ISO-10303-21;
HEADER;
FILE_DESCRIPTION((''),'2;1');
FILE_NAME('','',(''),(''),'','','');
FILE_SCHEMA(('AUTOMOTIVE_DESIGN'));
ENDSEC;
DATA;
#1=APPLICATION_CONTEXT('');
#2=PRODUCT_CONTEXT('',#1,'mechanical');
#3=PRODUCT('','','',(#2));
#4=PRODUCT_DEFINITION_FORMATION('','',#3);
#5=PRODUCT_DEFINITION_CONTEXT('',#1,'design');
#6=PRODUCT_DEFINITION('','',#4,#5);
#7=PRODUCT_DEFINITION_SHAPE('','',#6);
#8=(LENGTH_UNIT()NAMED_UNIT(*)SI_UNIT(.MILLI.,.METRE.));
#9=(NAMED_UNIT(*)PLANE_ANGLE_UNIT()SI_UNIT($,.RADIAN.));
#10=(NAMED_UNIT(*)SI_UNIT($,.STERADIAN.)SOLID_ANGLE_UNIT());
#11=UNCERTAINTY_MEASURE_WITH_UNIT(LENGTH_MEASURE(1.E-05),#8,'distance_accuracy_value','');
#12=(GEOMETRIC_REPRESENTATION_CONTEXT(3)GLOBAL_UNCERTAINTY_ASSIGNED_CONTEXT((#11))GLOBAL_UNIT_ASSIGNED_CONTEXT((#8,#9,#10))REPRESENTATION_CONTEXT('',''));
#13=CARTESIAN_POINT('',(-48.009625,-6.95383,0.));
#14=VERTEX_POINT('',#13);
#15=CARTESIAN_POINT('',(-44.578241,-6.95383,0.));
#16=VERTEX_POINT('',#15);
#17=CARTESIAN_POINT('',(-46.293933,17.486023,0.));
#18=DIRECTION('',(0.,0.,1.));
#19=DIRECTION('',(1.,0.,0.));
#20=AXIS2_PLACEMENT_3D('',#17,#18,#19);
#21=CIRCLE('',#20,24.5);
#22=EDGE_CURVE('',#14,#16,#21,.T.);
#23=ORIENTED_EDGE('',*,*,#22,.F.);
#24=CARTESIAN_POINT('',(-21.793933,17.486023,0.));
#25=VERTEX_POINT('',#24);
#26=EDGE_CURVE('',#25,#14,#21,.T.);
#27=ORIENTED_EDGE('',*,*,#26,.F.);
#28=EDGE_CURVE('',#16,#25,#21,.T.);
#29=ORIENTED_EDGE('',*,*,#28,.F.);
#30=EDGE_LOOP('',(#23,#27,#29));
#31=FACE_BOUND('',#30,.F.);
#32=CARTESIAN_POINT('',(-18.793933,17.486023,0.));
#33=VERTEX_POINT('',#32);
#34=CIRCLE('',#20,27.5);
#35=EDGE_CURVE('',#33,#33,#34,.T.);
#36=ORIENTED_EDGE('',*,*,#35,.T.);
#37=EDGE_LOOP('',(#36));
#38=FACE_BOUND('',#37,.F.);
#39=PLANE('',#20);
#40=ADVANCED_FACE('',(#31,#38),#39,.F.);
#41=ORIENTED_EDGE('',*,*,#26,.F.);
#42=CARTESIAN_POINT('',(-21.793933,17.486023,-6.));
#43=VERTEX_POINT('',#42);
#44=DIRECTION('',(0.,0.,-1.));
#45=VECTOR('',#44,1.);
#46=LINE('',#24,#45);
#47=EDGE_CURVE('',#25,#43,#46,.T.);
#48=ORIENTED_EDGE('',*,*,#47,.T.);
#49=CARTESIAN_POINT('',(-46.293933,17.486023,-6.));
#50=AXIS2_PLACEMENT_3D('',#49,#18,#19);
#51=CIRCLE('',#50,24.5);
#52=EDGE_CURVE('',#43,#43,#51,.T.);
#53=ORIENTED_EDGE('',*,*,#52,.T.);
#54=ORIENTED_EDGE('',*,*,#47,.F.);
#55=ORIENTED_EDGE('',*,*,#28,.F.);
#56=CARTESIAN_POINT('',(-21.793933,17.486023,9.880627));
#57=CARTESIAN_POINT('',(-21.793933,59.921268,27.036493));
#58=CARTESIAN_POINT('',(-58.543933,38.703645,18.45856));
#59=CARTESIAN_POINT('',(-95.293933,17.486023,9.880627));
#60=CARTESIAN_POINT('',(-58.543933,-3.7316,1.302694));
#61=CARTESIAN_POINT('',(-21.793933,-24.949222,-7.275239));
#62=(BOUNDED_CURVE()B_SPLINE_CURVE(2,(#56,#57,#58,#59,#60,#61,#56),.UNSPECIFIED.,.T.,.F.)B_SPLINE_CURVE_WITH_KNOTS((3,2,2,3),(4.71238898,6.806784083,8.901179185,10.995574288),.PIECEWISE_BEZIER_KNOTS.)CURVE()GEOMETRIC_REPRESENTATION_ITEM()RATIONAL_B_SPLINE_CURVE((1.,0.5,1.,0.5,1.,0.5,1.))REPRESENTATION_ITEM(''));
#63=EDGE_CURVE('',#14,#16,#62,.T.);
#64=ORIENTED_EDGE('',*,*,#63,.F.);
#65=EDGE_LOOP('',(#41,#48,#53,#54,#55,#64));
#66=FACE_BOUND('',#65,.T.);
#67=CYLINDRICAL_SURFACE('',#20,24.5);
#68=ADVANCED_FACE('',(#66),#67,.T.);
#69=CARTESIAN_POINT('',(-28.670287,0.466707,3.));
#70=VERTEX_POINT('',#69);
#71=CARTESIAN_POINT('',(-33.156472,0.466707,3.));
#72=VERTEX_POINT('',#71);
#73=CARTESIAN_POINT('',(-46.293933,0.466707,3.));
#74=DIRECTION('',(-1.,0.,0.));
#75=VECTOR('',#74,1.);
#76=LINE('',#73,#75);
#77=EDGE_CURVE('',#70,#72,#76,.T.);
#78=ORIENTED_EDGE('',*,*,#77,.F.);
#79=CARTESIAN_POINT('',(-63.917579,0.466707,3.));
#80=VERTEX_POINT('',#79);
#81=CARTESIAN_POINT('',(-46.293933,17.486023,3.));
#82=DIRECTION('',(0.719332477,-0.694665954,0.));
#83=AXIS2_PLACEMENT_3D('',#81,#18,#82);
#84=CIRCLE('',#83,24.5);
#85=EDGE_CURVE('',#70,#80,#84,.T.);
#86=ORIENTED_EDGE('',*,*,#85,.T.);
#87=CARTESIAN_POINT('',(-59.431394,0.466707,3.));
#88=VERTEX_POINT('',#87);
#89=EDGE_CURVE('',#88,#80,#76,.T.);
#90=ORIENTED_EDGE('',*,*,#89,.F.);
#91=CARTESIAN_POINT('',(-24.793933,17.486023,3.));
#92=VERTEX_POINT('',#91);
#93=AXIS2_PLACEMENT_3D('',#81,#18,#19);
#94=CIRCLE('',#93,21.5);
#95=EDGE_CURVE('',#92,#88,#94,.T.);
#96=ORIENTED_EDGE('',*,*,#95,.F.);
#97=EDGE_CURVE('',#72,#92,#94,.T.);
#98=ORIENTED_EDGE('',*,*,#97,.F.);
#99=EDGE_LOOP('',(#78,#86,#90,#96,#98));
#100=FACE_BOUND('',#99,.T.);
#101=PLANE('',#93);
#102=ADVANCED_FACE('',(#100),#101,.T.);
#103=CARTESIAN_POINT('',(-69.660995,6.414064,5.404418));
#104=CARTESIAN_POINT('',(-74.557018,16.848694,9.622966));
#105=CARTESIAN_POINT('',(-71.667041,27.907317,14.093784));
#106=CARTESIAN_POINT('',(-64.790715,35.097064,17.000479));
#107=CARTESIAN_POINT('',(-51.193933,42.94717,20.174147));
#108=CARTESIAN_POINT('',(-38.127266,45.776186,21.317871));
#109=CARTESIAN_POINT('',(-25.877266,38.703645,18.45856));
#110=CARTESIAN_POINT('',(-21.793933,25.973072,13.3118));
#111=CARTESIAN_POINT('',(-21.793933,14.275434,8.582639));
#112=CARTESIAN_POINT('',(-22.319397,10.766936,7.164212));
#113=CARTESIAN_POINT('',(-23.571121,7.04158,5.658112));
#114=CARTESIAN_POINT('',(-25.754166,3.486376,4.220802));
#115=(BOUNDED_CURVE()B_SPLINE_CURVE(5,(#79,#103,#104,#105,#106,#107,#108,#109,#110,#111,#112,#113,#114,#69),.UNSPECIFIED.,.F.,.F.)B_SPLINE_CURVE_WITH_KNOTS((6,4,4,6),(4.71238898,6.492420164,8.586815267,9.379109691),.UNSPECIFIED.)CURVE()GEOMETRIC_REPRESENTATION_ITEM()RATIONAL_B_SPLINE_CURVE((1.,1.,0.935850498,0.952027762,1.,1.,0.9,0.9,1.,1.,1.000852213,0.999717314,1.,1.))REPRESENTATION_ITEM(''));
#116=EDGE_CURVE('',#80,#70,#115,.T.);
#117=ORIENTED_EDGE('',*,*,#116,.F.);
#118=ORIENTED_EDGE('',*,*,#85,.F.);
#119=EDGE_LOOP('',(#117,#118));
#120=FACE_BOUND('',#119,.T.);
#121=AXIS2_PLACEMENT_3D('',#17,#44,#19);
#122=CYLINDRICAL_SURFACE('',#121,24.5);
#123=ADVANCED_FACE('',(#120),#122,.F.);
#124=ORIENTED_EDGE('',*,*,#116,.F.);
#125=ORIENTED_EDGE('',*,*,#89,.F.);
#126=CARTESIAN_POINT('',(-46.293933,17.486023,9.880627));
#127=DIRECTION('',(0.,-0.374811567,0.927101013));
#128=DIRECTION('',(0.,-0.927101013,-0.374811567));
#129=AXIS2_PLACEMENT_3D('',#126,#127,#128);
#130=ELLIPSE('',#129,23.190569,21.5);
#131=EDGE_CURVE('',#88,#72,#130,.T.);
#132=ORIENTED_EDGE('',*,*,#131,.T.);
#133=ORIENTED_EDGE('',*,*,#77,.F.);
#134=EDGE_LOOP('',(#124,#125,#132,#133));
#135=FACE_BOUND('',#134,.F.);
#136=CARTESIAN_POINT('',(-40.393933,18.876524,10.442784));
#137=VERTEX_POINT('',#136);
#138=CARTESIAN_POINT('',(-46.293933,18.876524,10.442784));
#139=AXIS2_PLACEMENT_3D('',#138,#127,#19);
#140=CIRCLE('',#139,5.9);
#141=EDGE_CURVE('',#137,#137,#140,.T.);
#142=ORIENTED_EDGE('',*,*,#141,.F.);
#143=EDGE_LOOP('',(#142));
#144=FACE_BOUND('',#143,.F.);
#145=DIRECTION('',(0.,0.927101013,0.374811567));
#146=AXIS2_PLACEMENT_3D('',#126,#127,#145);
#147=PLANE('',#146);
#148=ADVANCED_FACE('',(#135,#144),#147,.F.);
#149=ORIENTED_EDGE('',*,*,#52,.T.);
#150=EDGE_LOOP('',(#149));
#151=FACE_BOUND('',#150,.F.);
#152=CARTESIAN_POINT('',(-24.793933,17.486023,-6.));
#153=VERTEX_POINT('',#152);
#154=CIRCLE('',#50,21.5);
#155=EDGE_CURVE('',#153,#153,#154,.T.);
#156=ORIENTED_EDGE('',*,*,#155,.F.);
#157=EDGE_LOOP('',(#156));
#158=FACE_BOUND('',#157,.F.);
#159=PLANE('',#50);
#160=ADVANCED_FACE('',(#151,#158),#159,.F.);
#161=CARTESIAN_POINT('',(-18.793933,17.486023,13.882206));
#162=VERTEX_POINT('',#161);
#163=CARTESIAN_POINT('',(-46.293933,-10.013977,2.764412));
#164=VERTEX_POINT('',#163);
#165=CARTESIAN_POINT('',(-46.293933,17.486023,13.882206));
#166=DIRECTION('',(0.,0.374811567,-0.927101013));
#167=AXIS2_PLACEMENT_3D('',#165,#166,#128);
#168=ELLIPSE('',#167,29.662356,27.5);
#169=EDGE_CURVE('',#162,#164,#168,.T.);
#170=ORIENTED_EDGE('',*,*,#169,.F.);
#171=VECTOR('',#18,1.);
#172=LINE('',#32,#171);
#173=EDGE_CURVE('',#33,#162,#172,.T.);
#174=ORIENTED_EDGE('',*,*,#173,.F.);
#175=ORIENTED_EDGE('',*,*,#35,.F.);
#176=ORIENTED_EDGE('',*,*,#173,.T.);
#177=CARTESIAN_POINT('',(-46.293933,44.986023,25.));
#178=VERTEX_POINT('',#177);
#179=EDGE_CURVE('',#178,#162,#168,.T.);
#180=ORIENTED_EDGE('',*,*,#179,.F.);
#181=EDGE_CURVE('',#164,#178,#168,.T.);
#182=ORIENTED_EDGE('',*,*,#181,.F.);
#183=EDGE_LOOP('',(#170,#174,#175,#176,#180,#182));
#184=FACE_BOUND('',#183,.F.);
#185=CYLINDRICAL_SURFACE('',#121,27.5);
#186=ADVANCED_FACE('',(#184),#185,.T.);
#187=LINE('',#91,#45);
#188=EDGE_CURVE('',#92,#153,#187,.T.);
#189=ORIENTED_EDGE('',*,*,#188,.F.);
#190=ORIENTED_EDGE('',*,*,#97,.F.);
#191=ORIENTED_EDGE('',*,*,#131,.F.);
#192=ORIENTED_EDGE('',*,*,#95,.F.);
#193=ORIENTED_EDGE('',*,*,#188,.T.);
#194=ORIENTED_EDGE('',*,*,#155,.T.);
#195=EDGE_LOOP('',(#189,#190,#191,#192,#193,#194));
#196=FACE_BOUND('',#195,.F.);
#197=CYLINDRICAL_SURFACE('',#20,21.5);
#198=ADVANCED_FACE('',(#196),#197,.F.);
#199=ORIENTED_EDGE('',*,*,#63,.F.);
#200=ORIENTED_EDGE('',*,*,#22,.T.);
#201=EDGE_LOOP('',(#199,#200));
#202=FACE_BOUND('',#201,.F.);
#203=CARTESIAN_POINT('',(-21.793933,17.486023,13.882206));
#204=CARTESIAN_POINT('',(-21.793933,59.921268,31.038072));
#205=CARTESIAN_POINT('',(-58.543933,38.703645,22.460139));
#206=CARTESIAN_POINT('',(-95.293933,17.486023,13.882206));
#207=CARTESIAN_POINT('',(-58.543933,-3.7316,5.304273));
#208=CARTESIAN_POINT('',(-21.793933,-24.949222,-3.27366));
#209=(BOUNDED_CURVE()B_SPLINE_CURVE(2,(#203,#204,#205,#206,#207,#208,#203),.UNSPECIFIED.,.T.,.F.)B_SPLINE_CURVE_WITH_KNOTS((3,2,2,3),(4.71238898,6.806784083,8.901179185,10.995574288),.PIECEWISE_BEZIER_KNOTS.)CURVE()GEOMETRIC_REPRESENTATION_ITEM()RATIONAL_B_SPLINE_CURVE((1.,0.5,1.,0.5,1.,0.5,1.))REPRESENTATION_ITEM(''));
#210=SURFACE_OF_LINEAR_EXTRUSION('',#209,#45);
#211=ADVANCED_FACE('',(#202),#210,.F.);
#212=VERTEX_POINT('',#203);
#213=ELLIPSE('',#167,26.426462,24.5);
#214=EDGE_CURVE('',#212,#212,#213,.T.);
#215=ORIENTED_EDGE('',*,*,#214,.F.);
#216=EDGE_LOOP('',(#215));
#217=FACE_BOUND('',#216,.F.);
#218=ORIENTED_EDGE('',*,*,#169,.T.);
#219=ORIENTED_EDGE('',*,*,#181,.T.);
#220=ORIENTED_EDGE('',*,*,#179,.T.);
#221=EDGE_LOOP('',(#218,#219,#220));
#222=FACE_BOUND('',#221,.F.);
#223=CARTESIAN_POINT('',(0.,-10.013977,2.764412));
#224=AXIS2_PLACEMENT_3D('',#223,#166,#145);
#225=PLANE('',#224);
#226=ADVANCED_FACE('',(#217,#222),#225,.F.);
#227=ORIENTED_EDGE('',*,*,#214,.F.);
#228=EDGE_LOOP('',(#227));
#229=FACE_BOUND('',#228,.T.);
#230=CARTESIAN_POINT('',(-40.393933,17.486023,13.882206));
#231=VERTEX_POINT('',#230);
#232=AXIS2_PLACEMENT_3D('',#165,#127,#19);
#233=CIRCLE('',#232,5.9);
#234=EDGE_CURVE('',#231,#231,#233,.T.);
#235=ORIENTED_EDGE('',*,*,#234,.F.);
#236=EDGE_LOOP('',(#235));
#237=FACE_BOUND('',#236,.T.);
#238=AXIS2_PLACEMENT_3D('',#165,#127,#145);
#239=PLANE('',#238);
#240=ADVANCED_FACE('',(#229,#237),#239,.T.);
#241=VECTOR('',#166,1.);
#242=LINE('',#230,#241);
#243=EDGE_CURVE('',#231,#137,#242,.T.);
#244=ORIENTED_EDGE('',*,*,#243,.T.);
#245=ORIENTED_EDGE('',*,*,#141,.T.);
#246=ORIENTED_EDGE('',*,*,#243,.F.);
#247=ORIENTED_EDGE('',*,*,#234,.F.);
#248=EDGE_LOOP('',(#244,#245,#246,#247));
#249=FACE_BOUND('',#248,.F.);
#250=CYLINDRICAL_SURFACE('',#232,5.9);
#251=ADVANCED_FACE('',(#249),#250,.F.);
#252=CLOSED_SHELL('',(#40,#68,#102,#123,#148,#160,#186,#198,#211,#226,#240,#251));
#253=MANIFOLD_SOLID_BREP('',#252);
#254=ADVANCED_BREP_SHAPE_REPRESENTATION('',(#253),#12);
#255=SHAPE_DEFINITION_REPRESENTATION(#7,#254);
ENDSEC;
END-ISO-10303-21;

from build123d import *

# Parameters (mm, degrees)
F0_R      = 27.5
F0_R_2    = 24.5
F1_DEPTH  = 25
F3_DEPTH  = 82.3
F0_R_3    = 21.5
F7_DEPTH  = 3
F8_DEPTH  = 6
F9_R      = 5.9
F10_DEPTH = 12.8


with BuildPart() as f1:
    # F0 (on Top) → F1 (new body)
    with BuildSketch(Plane.XY):
        with Locations((-46.2939329445, 17.4860227853)):
            Circle(F0_R)
        with Locations((-46.2939329445, 17.4860227853)):
            Circle(F0_R_2, mode=Mode.SUBTRACT)
    extrude(amount=F1_DEPTH)

    # F2 (on Right) → F3 (cut)
    with BuildSketch(Plane.YZ):
        Polygon((44.9860227853, 25), (-10.0139772147, 25), (-10.0139772147, 2.7644119691), align=None)
    extrude(amount=-F3_DEPTH, mode=Mode.SUBTRACT)

    # F6: sweep along a path in F5
    with BuildLine(Plane.XZ) as f6_path:
        Line((-46.2939329445, 4.0015787818), (-46.2939329445, 0))
    # F4 (on face) → F6 (sweep)
    with BuildSketch(Plane(origin=(0, -2.3674011747, 5.8557958722), x_dir=(1, 0, 0), z_dir=(0, -0.3748115672, 0.9271010134))):
        with BuildLine():
            add(Edge.make_bspline(
                [(-21.7939329445, 21.4145208265), (-21.7939329445, -24.3574545801), (-58.5439329445, -1.4714668768), (-95.2939329445, 21.4145208265), (-58.5439329445, 44.3005085297), (-21.7939329445, 67.186496233), (-21.7939329445, 21.4145208265)],
                knots=[4.7123889804, 4.7123889804, 4.7123889804, 6.8067840828, 6.8067840828, 8.9011791852, 8.9011791852, 10.9955742876, 10.9955742876, 10.9955742876], degree=2, weights=[1, 0.5, 1, 0.5, 1, 0.5, 1]))
        make_face()
    sweep(path=f6_path.line)

    # F0 (on Top) → F7 (join)
    with BuildSketch(Plane.XY):
        with Locations((-46.2939329445, 17.4860227853)):
            Circle(F0_R_2)
        with Locations((-46.2939329445, 17.4860227853)):
            Circle(F0_R_3, mode=Mode.SUBTRACT)
    extrude(amount=F7_DEPTH)

    # F0 (on Top) → F8 (join)
    with BuildSketch(Plane.XY):
        with Locations((-46.2939329445, 17.4860227853)):
            Circle(F0_R_2)
        with Locations((-46.2939329445, 17.4860227853)):
            Circle(F0_R_3, mode=Mode.SUBTRACT)
    extrude(amount=-F8_DEPTH)

    # F9 (on face) → F10 (cut)
    with BuildSketch(Plane(origin=(0, -2.3674011747, 5.8557958722), x_dir=(1, 0, 0), z_dir=(0, -0.3748115672, 0.9271010134))):
        with Locations((-46.2939329445, 21.4145208265)):
            Circle(F9_R)
    extrude(amount=-F10_DEPTH, mode=Mode.SUBTRACT)


solid = f1.part
